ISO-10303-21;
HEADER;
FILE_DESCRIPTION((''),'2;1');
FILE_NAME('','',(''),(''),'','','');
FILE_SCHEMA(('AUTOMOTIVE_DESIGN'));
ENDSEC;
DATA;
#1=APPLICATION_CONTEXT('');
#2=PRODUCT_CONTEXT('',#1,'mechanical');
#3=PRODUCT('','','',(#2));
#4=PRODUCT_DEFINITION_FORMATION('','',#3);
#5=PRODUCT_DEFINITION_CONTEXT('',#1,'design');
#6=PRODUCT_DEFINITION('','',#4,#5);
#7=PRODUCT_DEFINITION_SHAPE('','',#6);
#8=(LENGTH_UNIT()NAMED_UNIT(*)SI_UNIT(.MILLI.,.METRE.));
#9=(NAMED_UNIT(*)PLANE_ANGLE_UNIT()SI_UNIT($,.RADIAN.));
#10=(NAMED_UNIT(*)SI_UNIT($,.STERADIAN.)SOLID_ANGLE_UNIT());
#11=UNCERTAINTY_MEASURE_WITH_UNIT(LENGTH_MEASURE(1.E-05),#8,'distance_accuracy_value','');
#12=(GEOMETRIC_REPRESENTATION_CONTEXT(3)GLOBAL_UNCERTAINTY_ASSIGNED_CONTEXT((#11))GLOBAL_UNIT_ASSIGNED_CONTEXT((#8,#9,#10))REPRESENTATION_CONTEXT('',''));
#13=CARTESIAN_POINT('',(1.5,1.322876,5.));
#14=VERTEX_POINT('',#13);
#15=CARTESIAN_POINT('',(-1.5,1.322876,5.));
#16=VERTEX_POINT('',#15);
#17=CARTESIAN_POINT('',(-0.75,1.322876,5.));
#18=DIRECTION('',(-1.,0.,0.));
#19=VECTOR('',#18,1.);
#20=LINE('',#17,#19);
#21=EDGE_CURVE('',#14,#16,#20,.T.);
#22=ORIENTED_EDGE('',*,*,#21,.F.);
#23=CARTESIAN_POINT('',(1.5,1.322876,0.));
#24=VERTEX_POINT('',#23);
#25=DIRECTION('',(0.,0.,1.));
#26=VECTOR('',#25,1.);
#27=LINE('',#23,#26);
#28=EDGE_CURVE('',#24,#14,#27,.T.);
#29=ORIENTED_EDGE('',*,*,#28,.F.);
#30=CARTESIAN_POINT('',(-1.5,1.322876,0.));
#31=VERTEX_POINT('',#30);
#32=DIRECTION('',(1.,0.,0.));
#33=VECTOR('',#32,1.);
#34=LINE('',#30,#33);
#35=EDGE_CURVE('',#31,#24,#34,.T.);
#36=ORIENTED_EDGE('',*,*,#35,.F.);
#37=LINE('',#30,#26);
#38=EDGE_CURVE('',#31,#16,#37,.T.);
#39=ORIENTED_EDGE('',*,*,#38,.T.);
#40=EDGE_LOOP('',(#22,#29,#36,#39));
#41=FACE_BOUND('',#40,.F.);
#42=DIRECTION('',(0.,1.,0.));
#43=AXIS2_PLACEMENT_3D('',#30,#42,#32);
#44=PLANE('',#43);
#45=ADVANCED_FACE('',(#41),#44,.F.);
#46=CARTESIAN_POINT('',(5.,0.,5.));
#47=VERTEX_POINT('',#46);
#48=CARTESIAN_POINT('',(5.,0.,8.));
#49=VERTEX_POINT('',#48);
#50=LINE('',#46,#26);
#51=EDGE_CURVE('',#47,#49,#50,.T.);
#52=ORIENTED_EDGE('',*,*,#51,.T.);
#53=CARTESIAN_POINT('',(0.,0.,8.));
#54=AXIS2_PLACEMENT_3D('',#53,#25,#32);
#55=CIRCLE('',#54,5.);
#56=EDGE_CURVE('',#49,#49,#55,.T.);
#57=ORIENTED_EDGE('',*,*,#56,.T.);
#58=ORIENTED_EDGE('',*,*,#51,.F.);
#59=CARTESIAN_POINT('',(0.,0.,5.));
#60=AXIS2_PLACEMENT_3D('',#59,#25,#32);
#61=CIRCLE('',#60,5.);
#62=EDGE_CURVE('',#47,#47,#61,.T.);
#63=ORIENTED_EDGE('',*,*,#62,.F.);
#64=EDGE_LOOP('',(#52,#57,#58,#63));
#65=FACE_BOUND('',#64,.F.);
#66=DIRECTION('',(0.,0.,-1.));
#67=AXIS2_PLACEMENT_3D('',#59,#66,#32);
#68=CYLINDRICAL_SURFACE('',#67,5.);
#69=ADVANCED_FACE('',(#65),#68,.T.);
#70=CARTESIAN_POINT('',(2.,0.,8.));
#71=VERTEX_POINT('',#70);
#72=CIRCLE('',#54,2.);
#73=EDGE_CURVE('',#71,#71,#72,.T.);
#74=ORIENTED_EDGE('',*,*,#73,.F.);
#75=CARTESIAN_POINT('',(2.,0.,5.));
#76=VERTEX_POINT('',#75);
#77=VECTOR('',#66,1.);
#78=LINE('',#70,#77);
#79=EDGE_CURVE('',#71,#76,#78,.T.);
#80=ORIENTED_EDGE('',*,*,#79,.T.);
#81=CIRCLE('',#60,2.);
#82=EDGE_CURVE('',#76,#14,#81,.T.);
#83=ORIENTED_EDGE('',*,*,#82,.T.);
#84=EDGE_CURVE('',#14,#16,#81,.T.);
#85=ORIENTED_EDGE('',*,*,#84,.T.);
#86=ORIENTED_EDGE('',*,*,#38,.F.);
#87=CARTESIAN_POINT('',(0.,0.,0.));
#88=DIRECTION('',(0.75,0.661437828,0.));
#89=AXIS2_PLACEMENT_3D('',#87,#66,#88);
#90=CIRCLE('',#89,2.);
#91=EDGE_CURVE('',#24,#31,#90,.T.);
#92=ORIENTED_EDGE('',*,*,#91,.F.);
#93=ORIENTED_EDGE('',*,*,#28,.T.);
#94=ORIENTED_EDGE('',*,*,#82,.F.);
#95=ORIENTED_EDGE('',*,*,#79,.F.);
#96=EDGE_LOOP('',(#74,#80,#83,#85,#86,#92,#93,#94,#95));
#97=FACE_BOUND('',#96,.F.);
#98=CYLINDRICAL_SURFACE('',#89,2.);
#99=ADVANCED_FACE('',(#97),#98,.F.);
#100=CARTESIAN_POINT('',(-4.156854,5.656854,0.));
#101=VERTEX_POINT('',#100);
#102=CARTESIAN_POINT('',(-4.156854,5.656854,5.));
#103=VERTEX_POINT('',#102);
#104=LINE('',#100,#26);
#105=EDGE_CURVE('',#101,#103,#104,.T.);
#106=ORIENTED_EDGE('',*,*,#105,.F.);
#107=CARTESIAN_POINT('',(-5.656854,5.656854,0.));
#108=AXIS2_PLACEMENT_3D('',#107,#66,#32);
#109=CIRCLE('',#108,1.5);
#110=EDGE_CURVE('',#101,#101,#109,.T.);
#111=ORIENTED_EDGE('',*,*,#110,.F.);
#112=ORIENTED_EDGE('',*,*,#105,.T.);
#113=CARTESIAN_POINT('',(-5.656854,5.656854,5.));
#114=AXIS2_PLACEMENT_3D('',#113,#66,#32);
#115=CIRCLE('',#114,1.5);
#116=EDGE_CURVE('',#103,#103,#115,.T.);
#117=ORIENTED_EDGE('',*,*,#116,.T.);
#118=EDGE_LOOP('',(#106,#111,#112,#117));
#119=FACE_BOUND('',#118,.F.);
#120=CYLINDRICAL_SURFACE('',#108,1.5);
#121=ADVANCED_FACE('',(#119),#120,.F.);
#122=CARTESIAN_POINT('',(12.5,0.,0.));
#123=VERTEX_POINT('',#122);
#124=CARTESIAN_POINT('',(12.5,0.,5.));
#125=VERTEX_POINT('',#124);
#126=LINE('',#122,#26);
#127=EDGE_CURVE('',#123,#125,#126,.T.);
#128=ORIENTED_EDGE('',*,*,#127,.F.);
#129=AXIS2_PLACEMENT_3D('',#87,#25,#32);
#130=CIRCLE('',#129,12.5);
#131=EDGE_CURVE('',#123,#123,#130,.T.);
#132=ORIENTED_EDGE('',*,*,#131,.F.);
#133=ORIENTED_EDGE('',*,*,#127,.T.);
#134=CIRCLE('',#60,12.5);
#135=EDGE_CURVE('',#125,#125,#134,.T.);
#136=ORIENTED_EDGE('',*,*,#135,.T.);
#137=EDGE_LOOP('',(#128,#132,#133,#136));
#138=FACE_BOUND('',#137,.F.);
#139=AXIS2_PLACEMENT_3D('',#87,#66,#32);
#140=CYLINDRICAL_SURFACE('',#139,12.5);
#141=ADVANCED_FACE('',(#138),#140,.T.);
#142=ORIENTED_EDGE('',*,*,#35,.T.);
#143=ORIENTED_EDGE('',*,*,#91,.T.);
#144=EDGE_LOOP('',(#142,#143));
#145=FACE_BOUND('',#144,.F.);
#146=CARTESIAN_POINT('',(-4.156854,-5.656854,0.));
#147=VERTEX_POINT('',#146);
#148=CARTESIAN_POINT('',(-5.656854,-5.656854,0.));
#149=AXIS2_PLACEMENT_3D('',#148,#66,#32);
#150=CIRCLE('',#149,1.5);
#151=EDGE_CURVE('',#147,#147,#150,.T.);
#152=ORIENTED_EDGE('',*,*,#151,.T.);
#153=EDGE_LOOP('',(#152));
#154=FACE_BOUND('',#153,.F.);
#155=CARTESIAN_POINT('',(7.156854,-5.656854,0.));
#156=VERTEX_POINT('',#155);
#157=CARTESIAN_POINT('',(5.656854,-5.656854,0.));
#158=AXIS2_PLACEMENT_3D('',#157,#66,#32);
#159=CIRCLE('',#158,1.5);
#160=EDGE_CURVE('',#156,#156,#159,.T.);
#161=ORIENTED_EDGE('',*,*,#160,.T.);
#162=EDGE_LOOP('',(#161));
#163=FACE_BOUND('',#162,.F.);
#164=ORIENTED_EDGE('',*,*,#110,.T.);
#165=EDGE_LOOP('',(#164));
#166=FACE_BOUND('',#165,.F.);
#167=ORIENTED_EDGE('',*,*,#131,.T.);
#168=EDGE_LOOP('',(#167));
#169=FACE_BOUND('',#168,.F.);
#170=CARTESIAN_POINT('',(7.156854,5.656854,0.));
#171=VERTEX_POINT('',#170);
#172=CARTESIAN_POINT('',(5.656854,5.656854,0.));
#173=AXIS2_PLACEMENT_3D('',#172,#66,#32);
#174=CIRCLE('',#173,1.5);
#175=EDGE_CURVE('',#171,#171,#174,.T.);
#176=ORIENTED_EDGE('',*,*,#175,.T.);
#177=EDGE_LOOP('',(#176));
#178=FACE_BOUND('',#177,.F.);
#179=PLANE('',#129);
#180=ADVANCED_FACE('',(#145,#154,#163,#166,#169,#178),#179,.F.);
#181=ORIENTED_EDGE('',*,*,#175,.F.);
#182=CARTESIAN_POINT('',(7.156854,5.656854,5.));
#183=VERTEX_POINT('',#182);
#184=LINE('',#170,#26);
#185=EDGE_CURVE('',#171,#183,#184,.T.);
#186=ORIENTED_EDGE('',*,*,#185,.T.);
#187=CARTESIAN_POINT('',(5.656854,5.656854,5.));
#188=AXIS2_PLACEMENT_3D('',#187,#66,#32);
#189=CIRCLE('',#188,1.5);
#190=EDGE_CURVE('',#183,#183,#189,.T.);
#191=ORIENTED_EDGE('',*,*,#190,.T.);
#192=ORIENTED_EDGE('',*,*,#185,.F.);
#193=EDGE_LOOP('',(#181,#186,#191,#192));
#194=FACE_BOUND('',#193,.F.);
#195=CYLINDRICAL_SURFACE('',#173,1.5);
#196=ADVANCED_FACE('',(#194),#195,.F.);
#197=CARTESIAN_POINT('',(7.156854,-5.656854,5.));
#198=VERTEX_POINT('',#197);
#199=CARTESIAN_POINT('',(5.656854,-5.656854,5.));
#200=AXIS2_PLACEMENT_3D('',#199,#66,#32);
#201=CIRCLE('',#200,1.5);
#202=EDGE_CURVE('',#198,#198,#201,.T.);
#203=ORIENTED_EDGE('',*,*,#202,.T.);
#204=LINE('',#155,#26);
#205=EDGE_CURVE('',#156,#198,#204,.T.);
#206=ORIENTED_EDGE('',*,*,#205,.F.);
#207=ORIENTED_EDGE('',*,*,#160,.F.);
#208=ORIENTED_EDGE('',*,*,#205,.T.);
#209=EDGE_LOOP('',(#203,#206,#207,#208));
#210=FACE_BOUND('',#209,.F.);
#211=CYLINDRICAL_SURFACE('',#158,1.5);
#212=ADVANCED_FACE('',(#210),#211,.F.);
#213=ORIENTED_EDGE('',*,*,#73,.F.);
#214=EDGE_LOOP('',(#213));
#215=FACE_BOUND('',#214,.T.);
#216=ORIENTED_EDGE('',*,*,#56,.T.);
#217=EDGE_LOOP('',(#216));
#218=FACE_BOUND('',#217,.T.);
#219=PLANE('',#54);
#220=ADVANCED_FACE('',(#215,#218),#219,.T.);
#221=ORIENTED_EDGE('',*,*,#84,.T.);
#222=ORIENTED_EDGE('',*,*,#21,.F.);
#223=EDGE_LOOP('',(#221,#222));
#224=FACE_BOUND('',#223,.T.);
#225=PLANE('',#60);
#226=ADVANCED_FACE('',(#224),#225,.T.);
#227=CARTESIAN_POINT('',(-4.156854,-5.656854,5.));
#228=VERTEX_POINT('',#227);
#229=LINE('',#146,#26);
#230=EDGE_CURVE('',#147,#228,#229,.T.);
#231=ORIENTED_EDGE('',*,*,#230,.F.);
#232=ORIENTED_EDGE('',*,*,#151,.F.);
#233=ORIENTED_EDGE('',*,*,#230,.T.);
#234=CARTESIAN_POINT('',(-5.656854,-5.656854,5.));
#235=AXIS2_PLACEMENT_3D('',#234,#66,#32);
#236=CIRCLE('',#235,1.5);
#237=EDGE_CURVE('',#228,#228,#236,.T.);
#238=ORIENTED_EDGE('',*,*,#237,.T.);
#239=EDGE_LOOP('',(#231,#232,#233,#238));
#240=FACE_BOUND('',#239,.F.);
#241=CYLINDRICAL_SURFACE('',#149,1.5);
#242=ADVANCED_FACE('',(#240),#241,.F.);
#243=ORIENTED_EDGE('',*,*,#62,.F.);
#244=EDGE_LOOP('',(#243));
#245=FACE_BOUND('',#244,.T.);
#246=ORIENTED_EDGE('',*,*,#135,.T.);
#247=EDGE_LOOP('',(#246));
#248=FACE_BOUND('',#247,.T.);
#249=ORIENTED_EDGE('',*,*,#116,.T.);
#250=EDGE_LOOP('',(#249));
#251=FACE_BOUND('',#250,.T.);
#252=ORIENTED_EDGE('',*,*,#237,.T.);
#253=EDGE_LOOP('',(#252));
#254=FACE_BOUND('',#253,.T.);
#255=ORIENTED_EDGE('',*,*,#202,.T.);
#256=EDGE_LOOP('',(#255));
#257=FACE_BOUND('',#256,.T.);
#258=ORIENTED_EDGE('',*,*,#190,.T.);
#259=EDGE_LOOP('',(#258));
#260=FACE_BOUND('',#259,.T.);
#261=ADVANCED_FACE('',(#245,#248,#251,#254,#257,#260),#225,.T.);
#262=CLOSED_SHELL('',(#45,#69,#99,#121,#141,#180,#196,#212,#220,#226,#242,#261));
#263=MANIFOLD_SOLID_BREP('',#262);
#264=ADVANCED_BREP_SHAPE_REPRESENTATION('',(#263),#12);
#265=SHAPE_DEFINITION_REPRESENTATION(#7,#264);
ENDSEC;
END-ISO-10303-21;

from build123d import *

# Parameters (mm, degrees)
F0_R     = 12.5
F1_DEPTH = 5
F2_R     = 5
F3_DEPTH = 3
F4_R     = 2
F5_DEPTH = 3
F7_DEPTH = 25
F8_R     = 1.5
F9_DEPTH = 25


with BuildPart() as f1:
    # F0 (on Top) → F1 (new body)
    with BuildSketch(Plane.XY):
        Circle(F0_R)
    extrude(amount=F1_DEPTH)

    # F2 (on face) → F3 (join)
    with BuildSketch(Plane.XY.offset(5)):
        Circle(F2_R)
    extrude(amount=F3_DEPTH)

    # F4 (on face) → F5 (cut)
    with BuildSketch(Plane.XY.offset(8)):
        Circle(F4_R)
    extrude(amount=-F5_DEPTH, mode=Mode.SUBTRACT)

    # F6 (on face) → F7 (cut)
    with BuildSketch(Plane(origin=(0, 0, 0), x_dir=(1, 0, 0), z_dir=(0, 0, -1))):
        with BuildLine():
            Line((-1.5, -1.3228756555), (1.5, -1.3228756555))
            ThreePointArc((1.5, -1.3228756555), (0, 2), (-1.5, -1.3228756555))
        make_face()
    extrude(amount=-F7_DEPTH, mode=Mode.SUBTRACT)

    # F8 (on face) → F9 (cut)
    with BuildSketch(Plane(origin=(0, 0, 0), x_dir=(1, 0, 0), z_dir=(0, 0, -1))):
        with Locations((-5.6568542495, 5.6568542495)):
            Circle(F8_R)
        with Locations((-5.6568542495, -5.6568542495)):
            Circle(F8_R)
        with Locations((5.6568542495, -5.6568542495)):
            Circle(F8_R)
        with Locations((5.6568542495, 5.6568542495)):
            Circle(F8_R)
    extrude(amount=-F9_DEPTH, mode=Mode.SUBTRACT)


solid = f1.part
